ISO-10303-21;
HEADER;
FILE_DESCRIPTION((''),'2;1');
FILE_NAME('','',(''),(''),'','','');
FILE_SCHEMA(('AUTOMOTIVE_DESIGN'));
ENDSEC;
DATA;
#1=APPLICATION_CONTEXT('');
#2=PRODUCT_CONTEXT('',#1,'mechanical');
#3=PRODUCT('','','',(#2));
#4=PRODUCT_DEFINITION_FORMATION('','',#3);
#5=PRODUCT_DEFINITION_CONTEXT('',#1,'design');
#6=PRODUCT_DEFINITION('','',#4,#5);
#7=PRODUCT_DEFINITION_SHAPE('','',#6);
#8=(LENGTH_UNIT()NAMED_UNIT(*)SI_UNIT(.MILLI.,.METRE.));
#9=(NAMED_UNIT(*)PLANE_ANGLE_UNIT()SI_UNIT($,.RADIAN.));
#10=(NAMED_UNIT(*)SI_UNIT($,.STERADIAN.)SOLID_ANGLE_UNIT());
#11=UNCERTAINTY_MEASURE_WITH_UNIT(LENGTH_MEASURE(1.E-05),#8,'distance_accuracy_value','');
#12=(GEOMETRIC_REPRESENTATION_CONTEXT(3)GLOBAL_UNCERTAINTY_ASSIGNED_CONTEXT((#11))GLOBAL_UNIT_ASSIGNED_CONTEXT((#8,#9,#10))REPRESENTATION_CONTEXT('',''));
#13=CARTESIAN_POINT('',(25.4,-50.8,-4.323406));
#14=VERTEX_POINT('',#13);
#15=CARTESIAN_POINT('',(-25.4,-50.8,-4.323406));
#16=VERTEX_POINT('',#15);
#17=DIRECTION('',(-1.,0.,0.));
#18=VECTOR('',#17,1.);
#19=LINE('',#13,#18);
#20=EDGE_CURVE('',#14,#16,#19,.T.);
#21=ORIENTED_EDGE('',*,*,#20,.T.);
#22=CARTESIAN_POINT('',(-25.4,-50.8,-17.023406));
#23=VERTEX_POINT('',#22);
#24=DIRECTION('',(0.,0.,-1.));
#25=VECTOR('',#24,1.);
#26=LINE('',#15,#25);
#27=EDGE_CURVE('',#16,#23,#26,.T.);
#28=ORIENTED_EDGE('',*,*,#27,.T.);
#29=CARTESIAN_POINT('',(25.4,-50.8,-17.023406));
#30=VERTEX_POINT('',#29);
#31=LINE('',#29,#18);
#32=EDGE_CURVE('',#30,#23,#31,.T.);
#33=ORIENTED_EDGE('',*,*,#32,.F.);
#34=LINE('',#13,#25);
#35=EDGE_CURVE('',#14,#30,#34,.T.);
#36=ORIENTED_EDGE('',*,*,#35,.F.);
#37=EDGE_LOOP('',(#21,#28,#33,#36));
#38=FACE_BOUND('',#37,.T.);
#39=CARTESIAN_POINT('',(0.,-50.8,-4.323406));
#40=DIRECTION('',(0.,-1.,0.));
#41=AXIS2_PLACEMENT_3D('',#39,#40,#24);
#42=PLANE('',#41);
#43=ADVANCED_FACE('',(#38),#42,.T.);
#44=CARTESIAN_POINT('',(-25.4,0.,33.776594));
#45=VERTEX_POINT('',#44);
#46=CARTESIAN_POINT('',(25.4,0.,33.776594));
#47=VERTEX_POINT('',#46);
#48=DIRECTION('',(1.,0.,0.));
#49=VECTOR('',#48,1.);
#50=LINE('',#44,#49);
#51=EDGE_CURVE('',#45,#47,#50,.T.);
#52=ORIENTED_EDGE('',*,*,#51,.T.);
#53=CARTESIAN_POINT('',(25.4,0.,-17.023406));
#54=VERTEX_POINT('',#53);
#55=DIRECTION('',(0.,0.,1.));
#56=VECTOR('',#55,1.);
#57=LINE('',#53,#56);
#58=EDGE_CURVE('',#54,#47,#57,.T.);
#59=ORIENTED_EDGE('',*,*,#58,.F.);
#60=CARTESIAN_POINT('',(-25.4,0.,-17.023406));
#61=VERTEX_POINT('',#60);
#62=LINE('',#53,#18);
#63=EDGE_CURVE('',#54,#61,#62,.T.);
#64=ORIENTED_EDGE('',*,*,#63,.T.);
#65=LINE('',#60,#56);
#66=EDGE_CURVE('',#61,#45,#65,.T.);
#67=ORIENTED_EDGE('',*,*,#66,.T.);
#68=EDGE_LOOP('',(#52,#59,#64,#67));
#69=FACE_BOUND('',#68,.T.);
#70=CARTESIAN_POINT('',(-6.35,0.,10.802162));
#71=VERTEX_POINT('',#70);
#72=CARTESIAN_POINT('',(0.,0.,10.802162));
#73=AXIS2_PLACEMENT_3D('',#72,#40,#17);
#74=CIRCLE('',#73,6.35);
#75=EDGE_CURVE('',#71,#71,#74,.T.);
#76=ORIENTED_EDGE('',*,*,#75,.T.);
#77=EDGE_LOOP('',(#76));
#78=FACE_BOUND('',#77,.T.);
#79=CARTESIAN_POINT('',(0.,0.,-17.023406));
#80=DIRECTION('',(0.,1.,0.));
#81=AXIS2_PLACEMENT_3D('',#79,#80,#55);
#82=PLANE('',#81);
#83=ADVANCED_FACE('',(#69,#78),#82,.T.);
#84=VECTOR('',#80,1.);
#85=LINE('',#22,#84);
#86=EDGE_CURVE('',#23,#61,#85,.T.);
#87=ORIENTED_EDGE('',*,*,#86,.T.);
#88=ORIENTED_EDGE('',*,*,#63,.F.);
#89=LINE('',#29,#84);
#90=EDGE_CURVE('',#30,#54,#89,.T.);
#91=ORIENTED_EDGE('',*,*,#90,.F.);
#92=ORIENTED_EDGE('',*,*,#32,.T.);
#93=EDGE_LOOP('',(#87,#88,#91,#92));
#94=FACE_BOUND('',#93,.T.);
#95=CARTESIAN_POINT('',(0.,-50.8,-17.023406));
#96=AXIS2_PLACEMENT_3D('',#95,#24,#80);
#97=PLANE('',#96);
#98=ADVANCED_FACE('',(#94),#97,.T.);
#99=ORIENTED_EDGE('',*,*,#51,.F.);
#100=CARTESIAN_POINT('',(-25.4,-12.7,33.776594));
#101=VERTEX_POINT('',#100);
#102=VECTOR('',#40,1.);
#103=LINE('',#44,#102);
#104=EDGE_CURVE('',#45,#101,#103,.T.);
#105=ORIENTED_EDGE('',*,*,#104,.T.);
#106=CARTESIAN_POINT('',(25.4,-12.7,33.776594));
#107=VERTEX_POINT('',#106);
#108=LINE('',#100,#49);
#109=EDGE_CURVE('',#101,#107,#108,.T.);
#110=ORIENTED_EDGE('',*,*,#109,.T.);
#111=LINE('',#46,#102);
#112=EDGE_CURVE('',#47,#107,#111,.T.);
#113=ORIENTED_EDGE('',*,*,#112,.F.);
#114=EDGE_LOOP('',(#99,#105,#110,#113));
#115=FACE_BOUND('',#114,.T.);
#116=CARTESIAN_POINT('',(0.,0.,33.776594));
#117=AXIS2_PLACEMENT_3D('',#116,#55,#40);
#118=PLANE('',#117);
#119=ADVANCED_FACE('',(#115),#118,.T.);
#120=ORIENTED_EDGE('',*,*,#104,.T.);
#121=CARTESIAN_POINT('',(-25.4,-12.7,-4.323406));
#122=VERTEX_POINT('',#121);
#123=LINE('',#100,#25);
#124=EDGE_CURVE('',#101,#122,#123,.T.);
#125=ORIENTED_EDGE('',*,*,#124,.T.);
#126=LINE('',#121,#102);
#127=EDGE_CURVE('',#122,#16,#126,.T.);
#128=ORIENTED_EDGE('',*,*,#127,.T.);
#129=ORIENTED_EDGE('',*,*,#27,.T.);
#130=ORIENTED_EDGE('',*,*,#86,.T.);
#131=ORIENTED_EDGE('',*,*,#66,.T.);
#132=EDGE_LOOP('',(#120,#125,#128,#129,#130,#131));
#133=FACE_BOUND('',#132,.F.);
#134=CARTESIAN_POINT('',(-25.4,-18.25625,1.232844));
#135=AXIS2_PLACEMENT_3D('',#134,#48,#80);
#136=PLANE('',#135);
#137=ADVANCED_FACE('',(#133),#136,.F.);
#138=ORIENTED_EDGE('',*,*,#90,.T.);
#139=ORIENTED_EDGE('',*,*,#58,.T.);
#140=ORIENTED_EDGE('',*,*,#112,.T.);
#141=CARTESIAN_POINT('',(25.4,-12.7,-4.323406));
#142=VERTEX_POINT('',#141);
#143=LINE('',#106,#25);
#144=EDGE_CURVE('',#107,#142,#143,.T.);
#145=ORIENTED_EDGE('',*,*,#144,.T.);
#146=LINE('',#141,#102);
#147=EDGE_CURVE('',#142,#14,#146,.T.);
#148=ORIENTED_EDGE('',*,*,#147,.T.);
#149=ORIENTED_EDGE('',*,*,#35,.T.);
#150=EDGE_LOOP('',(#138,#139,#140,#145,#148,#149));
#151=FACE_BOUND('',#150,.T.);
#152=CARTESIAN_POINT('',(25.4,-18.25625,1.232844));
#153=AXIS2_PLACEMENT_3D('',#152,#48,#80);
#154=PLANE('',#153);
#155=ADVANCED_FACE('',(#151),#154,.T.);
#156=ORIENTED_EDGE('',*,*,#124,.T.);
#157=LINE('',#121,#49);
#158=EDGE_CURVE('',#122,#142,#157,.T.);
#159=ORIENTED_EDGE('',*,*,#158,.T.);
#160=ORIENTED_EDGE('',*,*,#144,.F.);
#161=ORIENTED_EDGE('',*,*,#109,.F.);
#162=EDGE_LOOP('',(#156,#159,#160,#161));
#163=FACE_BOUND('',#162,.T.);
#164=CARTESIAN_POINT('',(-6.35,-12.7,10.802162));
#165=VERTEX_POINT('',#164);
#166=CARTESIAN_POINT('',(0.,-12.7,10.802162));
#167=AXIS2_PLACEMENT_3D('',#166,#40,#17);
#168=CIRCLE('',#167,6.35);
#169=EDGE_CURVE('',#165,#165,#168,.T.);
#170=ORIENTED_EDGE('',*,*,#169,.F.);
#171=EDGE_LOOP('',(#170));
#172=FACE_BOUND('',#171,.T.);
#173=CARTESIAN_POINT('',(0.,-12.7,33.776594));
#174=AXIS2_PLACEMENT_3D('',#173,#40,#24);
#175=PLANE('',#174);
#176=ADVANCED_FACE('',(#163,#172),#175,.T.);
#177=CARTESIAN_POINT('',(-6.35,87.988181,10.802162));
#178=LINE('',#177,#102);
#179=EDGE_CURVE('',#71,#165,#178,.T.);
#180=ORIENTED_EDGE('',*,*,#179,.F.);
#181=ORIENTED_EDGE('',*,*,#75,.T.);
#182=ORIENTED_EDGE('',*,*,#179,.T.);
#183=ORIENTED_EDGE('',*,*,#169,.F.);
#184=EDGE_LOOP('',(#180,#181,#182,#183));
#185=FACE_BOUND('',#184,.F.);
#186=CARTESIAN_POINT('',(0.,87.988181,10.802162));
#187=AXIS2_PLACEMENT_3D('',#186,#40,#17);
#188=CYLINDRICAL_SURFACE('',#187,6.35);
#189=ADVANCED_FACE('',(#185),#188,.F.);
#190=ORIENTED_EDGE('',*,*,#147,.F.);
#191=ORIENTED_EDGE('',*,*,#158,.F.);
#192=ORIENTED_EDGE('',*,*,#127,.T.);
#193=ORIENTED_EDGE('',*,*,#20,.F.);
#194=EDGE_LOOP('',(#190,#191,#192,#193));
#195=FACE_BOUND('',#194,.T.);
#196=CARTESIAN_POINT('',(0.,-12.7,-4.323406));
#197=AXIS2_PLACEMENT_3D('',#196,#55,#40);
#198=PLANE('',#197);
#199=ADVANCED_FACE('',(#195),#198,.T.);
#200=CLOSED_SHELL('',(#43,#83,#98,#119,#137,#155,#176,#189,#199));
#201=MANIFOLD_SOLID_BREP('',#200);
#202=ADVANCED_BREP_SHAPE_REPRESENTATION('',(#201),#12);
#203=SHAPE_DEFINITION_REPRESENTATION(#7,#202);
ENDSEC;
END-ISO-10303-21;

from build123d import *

# Parameters (mm, degrees)
F2_DEPTH = 25.4
F3_D     = 12.7


with BuildPart() as f2:
    # F0 (on Right) → F2 (new body, symmetric)
    with BuildSketch(Plane.YZ):
        Polygon((0, -17.0234058796), (0, 33.7765941204), (-12.7, 33.7765941204), (-12.7, -4.3234058796), (-50.8, -4.3234058796), (-50.8, -17.0234058796), align=None)
    extrude(amount=F2_DEPTH, both=True)

    # F3 (through all)
    with Locations(Plane(origin=(0, 0, 0), x_dir=(1, 0, 0), z_dir=(0, 1, 0))):
        with Locations((0, -10.8021622496)):
            Hole(F3_D / 2)


solid = f2.part
